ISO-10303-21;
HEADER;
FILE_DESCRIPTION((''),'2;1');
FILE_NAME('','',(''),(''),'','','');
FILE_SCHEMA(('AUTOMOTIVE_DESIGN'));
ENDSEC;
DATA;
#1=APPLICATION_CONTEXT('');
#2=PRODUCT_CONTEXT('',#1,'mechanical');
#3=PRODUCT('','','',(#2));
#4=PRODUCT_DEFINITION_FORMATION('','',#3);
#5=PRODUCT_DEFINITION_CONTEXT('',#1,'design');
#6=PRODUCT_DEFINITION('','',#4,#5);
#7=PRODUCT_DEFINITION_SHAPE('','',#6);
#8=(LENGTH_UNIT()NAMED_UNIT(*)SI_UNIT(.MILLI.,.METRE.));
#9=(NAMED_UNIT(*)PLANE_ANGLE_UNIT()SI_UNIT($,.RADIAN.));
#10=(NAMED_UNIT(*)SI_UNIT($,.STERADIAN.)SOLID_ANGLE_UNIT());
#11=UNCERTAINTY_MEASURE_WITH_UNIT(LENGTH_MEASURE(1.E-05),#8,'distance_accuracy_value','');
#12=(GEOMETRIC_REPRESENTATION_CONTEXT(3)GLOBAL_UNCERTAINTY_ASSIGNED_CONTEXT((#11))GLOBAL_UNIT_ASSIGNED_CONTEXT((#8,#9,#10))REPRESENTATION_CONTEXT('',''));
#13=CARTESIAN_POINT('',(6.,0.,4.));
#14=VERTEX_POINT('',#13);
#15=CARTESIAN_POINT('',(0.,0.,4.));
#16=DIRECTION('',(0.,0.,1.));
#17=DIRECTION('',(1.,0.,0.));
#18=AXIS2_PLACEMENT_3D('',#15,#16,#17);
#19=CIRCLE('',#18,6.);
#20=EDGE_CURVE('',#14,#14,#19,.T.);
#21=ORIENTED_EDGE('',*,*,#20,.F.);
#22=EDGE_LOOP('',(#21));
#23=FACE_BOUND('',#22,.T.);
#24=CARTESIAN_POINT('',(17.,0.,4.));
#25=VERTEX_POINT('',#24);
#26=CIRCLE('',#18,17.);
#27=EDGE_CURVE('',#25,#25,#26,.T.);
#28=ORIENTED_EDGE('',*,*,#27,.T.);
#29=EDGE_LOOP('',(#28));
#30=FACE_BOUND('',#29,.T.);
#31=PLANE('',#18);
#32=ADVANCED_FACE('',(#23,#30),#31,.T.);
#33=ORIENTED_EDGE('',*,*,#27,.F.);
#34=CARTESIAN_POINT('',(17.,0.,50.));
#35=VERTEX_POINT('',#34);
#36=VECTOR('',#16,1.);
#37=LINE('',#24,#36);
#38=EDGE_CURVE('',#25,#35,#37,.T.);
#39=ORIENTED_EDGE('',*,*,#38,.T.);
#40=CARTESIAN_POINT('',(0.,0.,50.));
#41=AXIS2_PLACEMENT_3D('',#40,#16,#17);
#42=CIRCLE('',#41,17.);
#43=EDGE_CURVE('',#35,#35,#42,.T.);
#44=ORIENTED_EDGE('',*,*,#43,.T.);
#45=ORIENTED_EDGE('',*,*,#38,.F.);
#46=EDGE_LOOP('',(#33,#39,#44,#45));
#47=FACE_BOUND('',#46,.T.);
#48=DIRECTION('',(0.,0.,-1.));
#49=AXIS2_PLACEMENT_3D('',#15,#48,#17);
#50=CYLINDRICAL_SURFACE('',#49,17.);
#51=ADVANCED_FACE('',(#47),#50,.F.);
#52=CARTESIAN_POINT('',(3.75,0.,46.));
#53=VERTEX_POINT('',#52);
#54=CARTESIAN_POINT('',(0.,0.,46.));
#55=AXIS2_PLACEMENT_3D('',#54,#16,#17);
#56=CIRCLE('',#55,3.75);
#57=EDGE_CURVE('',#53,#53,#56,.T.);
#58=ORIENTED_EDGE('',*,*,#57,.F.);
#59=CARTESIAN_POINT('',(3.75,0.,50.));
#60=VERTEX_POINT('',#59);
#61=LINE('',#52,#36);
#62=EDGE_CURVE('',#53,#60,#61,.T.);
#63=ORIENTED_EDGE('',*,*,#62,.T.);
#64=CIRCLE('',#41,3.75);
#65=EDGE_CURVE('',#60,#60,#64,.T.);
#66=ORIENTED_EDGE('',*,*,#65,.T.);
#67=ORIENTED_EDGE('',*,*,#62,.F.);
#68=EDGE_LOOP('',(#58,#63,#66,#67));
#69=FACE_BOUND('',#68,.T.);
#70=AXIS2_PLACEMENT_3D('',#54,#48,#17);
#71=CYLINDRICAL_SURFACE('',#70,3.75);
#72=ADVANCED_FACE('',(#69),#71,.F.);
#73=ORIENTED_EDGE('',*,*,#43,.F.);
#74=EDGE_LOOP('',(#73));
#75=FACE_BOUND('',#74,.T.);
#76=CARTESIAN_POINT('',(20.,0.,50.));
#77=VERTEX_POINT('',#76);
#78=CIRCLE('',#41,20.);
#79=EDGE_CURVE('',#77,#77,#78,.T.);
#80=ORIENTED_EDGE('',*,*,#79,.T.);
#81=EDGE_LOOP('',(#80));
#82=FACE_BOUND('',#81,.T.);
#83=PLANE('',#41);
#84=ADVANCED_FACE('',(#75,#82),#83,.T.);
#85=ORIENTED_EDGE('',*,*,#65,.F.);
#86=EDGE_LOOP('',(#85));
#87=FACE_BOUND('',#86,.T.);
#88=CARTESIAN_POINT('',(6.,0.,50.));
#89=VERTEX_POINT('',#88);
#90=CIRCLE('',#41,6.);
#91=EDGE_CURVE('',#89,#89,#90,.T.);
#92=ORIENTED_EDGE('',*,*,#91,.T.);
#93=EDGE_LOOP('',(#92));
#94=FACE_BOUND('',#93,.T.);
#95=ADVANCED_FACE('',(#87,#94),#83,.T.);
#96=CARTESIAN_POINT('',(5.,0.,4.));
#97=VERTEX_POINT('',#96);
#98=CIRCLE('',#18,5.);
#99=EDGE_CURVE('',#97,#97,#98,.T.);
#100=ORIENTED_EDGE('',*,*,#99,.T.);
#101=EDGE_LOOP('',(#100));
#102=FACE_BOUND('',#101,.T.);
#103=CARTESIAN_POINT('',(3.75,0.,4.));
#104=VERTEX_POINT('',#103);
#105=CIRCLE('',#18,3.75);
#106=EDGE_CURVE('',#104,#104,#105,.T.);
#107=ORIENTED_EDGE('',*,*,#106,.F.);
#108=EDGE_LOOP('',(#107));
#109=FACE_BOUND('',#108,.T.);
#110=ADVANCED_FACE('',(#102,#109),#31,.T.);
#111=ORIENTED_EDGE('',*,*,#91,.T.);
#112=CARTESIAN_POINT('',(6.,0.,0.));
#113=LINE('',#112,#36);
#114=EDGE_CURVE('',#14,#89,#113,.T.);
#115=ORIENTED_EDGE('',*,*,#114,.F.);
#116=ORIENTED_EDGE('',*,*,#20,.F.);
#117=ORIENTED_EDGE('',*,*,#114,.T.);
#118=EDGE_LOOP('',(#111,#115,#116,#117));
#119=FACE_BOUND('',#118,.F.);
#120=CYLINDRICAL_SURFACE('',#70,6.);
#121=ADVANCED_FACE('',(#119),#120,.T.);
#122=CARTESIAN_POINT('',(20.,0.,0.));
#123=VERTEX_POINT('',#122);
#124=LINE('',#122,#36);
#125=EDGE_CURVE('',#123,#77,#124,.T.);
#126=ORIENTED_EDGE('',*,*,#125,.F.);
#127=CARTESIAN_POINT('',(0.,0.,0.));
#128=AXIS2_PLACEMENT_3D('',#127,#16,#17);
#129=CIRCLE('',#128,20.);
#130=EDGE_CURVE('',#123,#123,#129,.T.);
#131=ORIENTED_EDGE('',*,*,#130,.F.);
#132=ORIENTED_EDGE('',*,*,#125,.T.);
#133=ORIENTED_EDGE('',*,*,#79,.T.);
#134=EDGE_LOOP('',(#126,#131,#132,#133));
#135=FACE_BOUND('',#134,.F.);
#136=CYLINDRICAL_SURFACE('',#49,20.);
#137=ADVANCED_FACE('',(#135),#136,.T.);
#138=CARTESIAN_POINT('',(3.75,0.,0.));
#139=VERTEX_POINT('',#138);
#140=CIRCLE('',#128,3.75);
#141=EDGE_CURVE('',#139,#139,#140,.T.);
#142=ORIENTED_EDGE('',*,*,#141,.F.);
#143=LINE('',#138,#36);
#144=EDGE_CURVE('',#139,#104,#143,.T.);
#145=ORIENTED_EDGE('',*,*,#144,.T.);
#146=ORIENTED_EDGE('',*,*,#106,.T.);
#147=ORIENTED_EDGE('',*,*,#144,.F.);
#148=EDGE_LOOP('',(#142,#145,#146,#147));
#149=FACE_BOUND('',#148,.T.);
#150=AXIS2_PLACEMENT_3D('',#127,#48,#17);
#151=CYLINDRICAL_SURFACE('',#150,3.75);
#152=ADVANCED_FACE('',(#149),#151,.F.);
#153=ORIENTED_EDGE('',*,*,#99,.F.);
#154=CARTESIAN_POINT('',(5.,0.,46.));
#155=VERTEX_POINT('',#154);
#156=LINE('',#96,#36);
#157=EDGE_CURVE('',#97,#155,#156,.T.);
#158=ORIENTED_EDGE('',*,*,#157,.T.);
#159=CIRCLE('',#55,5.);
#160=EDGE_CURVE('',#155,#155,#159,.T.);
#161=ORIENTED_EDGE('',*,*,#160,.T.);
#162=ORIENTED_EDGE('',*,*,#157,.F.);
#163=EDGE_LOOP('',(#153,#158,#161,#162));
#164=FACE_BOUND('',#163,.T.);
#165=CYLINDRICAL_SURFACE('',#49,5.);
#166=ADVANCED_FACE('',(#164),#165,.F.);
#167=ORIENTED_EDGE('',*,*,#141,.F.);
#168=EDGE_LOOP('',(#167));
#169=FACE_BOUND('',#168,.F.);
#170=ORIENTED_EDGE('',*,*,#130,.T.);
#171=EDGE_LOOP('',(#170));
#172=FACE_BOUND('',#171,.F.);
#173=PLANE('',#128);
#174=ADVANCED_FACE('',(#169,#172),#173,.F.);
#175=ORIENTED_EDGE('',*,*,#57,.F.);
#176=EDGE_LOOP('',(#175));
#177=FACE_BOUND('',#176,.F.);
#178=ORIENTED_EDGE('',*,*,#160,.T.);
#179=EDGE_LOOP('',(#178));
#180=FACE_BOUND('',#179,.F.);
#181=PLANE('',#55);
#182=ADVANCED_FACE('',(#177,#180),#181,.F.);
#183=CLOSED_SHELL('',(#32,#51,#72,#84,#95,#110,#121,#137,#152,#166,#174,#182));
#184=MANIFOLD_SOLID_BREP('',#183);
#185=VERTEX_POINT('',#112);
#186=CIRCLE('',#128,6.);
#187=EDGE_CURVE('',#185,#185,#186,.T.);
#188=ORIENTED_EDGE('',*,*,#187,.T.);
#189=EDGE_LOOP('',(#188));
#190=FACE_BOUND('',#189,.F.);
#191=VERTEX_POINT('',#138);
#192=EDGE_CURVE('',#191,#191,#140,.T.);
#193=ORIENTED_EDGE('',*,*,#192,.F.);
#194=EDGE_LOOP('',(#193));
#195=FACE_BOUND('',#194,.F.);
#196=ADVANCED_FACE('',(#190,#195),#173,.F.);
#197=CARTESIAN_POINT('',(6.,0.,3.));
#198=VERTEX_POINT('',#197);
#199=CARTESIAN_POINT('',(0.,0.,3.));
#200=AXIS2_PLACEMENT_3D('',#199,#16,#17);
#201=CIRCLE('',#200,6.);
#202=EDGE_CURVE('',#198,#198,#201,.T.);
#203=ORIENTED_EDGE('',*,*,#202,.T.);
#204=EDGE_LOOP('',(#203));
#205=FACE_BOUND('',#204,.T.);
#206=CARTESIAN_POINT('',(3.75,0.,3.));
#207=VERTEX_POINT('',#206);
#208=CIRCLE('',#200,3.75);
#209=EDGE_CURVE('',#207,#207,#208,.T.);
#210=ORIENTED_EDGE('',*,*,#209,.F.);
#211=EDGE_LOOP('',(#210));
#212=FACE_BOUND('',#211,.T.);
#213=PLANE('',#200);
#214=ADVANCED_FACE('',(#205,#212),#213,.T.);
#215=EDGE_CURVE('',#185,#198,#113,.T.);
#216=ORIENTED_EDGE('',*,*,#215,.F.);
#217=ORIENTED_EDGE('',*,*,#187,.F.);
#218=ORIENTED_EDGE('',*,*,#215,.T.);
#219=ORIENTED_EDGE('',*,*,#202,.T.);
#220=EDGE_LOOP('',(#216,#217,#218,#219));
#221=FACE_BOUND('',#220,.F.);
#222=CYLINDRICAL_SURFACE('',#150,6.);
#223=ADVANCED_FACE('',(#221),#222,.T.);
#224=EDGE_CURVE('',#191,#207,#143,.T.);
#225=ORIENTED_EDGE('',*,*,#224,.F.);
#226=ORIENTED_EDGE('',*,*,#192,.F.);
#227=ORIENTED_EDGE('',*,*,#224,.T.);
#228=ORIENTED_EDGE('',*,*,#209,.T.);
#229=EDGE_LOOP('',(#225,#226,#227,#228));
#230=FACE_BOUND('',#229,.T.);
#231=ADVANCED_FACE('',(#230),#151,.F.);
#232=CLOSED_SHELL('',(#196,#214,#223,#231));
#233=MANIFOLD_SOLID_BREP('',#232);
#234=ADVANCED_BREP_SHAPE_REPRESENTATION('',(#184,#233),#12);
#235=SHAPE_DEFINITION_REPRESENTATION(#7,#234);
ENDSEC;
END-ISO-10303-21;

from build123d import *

# Parameters (mm, degrees)
F0_R      = 6
F0_R_2    = 5
F0_R_3    = 3.75
F1_DEPTH  = 4
F2_R      = 6
F2_R_2    = 5
F3_DEPTH  = 42
F4_R      = 6
F4_R_2    = 5
F4_R_3    = 3.75
F5_DEPTH  = 4
F6_DEPTH  = 3
F7_R      = 20
F7_R_2    = 6
F8_DEPTH  = 4
F9_R      = 20
F9_R_2    = 17
F10_DEPTH = 46


with BuildPart() as f1:
    # F0 (on Top) → F1 (new body)
    with BuildSketch(Plane.XY):
        Circle(F0_R)
        Circle(F0_R_2, mode=Mode.SUBTRACT)
        Circle(F0_R_2)
        Circle(F0_R_3, mode=Mode.SUBTRACT)
    extrude(amount=F1_DEPTH)

    # F2 (on face) → F3 (join)
    with BuildSketch(Plane.XY.offset(4)):
        Circle(F2_R)
        Circle(F2_R_2, mode=Mode.SUBTRACT)
    extrude(amount=F3_DEPTH)

    # F4 (on face) → F5 (join)
    with BuildSketch(Plane.XY.offset(46)):
        Circle(F4_R)
        Circle(F4_R_2, mode=Mode.SUBTRACT)
        Circle(F4_R_2)
        Circle(F4_R_3, mode=Mode.SUBTRACT)
    extrude(amount=F5_DEPTH)

    # F7 (on Top) → F8 (join)
    with BuildSketch(Plane.XY):
        Circle(F7_R)
        Circle(F7_R_2, mode=Mode.SUBTRACT)
    extrude(amount=F8_DEPTH)

    # F9 (on face) → F10 (join)
    with BuildSketch(Plane.XY.offset(4)):
        Circle(F9_R)
        Circle(F9_R_2, mode=Mode.SUBTRACT)
    extrude(amount=F10_DEPTH)


with BuildPart() as f6:
    # F0 (on Top) → F6 (new body)
    with BuildSketch(Plane.XY):
        Circle(F0_R)
        Circle(F0_R_2, mode=Mode.SUBTRACT)
        Circle(F0_R_2)
        Circle(F0_R_3, mode=Mode.SUBTRACT)
    extrude(amount=F6_DEPTH)


solid = Compound([f1.part, f6.part])
